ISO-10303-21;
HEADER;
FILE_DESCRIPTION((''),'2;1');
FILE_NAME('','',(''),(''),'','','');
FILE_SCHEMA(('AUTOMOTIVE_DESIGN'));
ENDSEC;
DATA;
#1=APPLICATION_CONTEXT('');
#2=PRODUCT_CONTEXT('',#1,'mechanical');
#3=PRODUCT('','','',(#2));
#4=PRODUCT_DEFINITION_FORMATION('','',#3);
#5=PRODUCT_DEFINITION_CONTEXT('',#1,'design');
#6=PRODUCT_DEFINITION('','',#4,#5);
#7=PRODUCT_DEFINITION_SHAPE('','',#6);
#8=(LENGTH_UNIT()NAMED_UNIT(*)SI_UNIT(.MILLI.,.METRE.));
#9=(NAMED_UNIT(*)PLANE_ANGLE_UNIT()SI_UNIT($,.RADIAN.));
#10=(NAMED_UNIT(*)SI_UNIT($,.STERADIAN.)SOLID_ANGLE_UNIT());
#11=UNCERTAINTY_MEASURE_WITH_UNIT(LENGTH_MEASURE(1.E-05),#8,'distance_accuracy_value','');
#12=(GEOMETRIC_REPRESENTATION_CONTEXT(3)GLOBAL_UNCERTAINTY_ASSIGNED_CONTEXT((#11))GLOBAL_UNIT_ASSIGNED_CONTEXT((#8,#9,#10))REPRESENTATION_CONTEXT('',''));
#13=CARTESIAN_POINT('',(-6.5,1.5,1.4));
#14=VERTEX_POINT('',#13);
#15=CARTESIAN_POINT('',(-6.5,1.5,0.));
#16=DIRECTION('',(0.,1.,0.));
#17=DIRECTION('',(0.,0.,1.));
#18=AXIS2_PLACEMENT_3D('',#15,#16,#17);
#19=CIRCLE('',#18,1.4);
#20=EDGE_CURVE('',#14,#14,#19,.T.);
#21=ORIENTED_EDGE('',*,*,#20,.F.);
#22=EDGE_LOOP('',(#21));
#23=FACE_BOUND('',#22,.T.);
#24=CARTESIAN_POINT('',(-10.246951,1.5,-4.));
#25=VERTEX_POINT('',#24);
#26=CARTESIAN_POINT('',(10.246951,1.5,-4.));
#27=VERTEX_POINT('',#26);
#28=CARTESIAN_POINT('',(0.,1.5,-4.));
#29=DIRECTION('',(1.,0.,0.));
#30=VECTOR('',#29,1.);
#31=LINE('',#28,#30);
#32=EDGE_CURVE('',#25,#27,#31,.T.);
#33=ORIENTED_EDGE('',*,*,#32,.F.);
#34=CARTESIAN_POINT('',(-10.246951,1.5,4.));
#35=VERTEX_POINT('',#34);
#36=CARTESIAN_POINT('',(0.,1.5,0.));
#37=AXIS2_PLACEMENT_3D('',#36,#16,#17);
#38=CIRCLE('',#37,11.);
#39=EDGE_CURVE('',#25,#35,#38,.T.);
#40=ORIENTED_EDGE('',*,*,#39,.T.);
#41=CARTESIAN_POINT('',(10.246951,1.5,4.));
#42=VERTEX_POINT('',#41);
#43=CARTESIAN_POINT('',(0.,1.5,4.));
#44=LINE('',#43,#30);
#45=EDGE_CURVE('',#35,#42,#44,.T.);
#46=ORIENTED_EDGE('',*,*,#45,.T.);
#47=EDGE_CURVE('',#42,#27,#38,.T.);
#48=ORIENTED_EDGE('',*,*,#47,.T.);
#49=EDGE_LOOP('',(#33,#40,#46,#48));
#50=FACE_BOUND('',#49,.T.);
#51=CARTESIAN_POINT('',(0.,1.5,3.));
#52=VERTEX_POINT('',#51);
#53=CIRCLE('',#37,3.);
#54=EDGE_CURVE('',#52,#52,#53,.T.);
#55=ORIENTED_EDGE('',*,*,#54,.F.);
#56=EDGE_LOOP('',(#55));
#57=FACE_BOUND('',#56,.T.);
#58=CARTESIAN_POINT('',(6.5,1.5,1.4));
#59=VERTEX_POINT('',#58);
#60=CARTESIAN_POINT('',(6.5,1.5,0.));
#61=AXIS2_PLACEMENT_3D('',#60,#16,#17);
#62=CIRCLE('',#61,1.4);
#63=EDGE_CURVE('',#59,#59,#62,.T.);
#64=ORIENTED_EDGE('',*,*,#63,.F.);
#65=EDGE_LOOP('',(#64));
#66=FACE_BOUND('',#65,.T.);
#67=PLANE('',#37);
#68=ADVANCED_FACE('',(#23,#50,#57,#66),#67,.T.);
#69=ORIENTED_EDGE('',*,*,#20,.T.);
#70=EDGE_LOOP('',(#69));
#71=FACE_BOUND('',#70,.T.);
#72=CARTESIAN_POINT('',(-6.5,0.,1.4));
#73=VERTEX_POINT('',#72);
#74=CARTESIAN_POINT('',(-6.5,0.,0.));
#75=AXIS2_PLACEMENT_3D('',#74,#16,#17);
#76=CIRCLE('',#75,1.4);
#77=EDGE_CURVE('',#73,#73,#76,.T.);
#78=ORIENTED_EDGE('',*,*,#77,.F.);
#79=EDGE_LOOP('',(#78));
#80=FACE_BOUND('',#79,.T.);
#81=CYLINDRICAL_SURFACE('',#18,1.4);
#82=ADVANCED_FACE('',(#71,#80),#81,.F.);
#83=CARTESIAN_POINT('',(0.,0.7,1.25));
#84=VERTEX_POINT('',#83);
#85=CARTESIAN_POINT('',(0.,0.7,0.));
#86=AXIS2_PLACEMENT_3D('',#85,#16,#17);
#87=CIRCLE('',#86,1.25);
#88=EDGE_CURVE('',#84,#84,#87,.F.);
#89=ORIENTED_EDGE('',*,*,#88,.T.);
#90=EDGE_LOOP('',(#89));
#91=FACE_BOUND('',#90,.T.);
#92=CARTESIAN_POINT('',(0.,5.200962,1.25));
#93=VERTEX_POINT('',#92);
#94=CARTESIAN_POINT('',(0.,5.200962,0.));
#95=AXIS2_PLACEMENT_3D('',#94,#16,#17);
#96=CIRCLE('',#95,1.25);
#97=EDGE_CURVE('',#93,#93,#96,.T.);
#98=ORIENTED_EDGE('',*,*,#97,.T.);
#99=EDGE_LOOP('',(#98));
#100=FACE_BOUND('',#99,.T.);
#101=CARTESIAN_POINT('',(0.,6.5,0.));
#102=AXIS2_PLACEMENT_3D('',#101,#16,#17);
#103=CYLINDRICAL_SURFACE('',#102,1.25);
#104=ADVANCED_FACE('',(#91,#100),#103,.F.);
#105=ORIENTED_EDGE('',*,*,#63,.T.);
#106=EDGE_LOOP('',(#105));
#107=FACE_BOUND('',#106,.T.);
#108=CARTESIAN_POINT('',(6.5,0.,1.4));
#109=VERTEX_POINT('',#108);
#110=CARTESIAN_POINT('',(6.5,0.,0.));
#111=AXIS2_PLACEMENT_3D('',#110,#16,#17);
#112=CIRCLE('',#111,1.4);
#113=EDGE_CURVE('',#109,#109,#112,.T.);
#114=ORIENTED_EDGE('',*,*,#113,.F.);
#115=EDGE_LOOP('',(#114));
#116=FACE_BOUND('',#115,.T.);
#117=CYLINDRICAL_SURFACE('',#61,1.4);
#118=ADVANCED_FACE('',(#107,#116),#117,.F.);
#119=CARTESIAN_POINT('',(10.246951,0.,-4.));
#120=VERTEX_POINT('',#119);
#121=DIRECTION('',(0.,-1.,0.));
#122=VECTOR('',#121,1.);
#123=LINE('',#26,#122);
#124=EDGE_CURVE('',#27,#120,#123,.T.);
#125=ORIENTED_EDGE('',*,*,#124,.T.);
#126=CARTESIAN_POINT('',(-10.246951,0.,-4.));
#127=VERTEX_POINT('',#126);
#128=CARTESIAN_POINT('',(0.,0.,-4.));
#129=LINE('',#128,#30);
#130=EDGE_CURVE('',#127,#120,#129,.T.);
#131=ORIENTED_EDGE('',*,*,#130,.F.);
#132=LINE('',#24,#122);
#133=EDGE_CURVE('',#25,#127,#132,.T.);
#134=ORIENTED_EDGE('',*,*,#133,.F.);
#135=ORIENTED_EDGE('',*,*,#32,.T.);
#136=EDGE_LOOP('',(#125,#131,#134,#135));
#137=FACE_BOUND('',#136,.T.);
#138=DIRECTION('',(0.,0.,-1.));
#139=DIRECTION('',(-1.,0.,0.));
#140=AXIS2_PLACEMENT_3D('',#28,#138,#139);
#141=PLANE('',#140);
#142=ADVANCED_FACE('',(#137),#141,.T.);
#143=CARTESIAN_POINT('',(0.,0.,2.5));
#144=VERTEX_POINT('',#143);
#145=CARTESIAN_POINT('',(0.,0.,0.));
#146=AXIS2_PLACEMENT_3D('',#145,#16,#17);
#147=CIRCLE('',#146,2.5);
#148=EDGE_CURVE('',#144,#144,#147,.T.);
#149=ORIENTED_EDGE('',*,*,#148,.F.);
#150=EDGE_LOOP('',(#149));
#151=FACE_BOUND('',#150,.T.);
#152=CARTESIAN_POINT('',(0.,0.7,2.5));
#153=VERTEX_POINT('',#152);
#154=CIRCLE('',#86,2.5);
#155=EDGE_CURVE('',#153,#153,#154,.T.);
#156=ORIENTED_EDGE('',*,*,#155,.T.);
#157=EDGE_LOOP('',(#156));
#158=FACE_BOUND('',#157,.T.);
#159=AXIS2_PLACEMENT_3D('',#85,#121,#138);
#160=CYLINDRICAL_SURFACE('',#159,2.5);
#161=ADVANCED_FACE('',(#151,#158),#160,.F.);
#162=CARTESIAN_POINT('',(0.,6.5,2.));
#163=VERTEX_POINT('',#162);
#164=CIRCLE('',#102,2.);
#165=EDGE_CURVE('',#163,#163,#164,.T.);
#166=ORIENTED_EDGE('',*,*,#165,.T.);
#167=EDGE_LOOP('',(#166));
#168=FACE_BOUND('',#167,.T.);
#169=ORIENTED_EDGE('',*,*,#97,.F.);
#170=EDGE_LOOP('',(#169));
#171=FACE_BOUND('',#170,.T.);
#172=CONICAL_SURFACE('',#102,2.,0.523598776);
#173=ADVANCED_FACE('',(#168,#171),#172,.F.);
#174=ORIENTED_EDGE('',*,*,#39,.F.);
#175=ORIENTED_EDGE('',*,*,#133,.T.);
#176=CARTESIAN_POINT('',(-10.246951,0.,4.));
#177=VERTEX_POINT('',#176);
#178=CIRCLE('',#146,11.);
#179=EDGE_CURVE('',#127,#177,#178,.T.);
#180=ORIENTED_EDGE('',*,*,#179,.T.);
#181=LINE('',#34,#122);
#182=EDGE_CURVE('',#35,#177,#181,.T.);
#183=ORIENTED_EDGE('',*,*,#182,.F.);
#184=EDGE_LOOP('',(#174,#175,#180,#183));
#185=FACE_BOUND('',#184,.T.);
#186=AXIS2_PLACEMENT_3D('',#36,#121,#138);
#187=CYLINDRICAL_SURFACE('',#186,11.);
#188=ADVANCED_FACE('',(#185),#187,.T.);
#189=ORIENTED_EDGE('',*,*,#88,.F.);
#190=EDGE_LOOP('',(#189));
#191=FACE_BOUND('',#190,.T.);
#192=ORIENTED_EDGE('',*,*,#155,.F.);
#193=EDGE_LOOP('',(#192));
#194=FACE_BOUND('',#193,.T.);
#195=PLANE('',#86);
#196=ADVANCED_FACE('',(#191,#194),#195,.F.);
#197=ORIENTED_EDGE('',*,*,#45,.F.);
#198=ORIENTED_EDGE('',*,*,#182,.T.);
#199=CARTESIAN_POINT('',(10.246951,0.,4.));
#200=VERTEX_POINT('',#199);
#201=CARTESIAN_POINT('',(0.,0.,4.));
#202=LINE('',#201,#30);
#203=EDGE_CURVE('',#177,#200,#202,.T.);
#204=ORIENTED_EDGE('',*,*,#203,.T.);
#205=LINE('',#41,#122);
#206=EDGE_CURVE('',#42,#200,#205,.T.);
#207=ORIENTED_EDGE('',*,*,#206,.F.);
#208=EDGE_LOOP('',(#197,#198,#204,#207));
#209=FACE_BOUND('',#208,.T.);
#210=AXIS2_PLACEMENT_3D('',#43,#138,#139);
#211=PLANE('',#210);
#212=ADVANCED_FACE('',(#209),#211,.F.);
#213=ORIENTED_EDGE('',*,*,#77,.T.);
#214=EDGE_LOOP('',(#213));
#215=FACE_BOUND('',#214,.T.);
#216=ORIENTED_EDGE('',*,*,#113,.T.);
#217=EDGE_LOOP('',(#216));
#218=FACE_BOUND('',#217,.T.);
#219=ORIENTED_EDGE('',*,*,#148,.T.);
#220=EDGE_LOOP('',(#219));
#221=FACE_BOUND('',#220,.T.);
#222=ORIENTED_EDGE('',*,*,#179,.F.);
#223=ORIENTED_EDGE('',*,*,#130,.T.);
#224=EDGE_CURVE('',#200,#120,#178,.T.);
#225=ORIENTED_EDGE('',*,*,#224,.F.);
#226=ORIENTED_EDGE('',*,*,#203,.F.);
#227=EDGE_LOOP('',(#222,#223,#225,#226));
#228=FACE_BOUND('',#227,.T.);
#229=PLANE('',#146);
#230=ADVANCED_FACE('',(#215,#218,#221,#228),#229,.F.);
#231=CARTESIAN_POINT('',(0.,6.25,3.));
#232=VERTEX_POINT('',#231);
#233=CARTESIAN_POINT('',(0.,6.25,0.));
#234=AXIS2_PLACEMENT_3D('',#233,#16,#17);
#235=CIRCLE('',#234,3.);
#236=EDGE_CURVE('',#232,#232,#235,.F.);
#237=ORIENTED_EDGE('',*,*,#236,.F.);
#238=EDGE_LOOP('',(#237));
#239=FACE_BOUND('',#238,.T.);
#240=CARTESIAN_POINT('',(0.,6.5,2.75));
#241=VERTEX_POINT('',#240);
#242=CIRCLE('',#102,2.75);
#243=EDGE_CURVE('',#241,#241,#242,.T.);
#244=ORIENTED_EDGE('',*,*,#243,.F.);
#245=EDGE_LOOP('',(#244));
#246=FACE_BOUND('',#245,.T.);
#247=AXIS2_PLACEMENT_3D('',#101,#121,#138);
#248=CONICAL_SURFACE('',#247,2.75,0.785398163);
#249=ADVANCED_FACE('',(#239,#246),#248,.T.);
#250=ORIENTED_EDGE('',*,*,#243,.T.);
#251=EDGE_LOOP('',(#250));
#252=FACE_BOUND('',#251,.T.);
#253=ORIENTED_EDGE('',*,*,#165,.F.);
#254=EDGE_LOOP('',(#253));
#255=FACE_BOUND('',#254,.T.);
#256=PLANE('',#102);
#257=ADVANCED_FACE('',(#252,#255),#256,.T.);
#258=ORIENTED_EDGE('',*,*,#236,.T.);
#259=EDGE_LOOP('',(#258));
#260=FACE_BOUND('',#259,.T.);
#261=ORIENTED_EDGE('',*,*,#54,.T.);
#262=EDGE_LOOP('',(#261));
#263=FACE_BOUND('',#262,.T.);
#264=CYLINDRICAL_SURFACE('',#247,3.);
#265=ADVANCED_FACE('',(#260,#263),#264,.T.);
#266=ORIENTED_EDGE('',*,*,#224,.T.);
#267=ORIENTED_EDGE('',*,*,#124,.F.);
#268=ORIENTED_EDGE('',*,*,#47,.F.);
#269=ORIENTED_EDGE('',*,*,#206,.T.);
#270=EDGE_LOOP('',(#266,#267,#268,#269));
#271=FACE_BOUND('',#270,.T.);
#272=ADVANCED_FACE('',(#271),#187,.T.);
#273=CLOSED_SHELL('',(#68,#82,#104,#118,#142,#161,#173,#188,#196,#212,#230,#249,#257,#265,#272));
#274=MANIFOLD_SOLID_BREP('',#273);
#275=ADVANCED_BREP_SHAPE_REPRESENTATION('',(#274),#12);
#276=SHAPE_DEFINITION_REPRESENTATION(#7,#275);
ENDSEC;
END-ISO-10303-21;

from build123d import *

# Parameters (mm, degrees)
BASE_SKETCH_W                   = 20.493901532
BASE_SKETCH_H                   = 8
BASE_EXTRUDE_DEPTH              = 1.5
PROTRUSION_START                = 1.5
PROTRUSION_SKETCH_R             = 3
PROTRUSION_EXTRUDE_DEPTH        = 5
F_2_8_2_8_DIAMETER_HOLE1_D      = 2.8
PROTRUSION_CHAMFER_SIZE         = 0.25
F_2_5MM_DOWEL_HOLE3_D           = 2.5
F_2_5MM_DOWEL_HOLE3_DEPTH       = 6.5
F_2_5MM_DOWEL_HOLE3_CSINK_D     = 4
F_2_5MM_DOWEL_HOLE3_CSINK_ANGLE = 60
F_5MM_CIRCLE_SKETCH_R           = 2.5
F_5MM_DIAMETER_CUT_DEPTH        = 0.7


with BuildPart() as part:
    # Base Sketch → Base Extrude (new body)
    with BuildSketch(Plane(origin=(0, 0, 0), x_dir=(1, 0, 0), z_dir=(0, 1, 0))):
        with BuildLine():
            Line((-10.246950766, -4), (-10.246950766, 4))
            ThreePointArc((-10.246950766, 4), (-11, 0), (-10.246950766, -4))
        make_face()
        Rectangle(BASE_SKETCH_W, BASE_SKETCH_H)
        with BuildLine():
            Line((10.246950766, -4), (10.246950766, 4))
            ThreePointArc((10.246950766, 4), (11, 0), (10.246950766, -4))
        make_face()
    extrude(amount=BASE_EXTRUDE_DEPTH)

    # Protrusion Sketch → Protrusion Extrude (add)
    with BuildSketch(Plane(origin=(0, 0, 0), x_dir=(1, 0, 0), z_dir=(0, 1, 0)).offset(PROTRUSION_START)):
        Circle(PROTRUSION_SKETCH_R)
    extrude(amount=PROTRUSION_EXTRUDE_DEPTH)

    # Ø2.8 (2.8) Diameter Hole1 (through all)
    with Locations(Plane(origin=(0, 1.5, 0), x_dir=(1, 0, 0), z_dir=(0, 1, 0))):
        with Locations((-6.5, 0), (6.5, 0)):
            Hole(F_2_8_2_8_DIAMETER_HOLE1_D / 2)

    # Protrusion Chamfer
    protrusion_chamfer_edges = [part.edges().sort_by_distance(p)[0] for p in [
        (-3, 6.5, 0),
    ]]
    chamfer(protrusion_chamfer_edges, length=PROTRUSION_CHAMFER_SIZE)

    # Ø2.5mm Dowel Hole3
    with Locations(Plane(origin=(0, 6.5, 0), x_dir=(1, 0, 0), z_dir=(0, 1, 0))):
        with Locations((0, 0)):
            CounterSinkHole(F_2_5MM_DOWEL_HOLE3_D / 2, F_2_5MM_DOWEL_HOLE3_CSINK_D / 2, depth=F_2_5MM_DOWEL_HOLE3_DEPTH, counter_sink_angle=F_2_5MM_DOWEL_HOLE3_CSINK_ANGLE)

    # 5mm Circle Sketch → 5mm Diameter Cut (cut)
    with BuildSketch(Plane(origin=(0, 0, 0), x_dir=(1, 0, 0), z_dir=(0, 1, 0))):
        Circle(F_5MM_CIRCLE_SKETCH_R)
    extrude(amount=F_5MM_DIAMETER_CUT_DEPTH, mode=Mode.SUBTRACT)


solid = part.part
